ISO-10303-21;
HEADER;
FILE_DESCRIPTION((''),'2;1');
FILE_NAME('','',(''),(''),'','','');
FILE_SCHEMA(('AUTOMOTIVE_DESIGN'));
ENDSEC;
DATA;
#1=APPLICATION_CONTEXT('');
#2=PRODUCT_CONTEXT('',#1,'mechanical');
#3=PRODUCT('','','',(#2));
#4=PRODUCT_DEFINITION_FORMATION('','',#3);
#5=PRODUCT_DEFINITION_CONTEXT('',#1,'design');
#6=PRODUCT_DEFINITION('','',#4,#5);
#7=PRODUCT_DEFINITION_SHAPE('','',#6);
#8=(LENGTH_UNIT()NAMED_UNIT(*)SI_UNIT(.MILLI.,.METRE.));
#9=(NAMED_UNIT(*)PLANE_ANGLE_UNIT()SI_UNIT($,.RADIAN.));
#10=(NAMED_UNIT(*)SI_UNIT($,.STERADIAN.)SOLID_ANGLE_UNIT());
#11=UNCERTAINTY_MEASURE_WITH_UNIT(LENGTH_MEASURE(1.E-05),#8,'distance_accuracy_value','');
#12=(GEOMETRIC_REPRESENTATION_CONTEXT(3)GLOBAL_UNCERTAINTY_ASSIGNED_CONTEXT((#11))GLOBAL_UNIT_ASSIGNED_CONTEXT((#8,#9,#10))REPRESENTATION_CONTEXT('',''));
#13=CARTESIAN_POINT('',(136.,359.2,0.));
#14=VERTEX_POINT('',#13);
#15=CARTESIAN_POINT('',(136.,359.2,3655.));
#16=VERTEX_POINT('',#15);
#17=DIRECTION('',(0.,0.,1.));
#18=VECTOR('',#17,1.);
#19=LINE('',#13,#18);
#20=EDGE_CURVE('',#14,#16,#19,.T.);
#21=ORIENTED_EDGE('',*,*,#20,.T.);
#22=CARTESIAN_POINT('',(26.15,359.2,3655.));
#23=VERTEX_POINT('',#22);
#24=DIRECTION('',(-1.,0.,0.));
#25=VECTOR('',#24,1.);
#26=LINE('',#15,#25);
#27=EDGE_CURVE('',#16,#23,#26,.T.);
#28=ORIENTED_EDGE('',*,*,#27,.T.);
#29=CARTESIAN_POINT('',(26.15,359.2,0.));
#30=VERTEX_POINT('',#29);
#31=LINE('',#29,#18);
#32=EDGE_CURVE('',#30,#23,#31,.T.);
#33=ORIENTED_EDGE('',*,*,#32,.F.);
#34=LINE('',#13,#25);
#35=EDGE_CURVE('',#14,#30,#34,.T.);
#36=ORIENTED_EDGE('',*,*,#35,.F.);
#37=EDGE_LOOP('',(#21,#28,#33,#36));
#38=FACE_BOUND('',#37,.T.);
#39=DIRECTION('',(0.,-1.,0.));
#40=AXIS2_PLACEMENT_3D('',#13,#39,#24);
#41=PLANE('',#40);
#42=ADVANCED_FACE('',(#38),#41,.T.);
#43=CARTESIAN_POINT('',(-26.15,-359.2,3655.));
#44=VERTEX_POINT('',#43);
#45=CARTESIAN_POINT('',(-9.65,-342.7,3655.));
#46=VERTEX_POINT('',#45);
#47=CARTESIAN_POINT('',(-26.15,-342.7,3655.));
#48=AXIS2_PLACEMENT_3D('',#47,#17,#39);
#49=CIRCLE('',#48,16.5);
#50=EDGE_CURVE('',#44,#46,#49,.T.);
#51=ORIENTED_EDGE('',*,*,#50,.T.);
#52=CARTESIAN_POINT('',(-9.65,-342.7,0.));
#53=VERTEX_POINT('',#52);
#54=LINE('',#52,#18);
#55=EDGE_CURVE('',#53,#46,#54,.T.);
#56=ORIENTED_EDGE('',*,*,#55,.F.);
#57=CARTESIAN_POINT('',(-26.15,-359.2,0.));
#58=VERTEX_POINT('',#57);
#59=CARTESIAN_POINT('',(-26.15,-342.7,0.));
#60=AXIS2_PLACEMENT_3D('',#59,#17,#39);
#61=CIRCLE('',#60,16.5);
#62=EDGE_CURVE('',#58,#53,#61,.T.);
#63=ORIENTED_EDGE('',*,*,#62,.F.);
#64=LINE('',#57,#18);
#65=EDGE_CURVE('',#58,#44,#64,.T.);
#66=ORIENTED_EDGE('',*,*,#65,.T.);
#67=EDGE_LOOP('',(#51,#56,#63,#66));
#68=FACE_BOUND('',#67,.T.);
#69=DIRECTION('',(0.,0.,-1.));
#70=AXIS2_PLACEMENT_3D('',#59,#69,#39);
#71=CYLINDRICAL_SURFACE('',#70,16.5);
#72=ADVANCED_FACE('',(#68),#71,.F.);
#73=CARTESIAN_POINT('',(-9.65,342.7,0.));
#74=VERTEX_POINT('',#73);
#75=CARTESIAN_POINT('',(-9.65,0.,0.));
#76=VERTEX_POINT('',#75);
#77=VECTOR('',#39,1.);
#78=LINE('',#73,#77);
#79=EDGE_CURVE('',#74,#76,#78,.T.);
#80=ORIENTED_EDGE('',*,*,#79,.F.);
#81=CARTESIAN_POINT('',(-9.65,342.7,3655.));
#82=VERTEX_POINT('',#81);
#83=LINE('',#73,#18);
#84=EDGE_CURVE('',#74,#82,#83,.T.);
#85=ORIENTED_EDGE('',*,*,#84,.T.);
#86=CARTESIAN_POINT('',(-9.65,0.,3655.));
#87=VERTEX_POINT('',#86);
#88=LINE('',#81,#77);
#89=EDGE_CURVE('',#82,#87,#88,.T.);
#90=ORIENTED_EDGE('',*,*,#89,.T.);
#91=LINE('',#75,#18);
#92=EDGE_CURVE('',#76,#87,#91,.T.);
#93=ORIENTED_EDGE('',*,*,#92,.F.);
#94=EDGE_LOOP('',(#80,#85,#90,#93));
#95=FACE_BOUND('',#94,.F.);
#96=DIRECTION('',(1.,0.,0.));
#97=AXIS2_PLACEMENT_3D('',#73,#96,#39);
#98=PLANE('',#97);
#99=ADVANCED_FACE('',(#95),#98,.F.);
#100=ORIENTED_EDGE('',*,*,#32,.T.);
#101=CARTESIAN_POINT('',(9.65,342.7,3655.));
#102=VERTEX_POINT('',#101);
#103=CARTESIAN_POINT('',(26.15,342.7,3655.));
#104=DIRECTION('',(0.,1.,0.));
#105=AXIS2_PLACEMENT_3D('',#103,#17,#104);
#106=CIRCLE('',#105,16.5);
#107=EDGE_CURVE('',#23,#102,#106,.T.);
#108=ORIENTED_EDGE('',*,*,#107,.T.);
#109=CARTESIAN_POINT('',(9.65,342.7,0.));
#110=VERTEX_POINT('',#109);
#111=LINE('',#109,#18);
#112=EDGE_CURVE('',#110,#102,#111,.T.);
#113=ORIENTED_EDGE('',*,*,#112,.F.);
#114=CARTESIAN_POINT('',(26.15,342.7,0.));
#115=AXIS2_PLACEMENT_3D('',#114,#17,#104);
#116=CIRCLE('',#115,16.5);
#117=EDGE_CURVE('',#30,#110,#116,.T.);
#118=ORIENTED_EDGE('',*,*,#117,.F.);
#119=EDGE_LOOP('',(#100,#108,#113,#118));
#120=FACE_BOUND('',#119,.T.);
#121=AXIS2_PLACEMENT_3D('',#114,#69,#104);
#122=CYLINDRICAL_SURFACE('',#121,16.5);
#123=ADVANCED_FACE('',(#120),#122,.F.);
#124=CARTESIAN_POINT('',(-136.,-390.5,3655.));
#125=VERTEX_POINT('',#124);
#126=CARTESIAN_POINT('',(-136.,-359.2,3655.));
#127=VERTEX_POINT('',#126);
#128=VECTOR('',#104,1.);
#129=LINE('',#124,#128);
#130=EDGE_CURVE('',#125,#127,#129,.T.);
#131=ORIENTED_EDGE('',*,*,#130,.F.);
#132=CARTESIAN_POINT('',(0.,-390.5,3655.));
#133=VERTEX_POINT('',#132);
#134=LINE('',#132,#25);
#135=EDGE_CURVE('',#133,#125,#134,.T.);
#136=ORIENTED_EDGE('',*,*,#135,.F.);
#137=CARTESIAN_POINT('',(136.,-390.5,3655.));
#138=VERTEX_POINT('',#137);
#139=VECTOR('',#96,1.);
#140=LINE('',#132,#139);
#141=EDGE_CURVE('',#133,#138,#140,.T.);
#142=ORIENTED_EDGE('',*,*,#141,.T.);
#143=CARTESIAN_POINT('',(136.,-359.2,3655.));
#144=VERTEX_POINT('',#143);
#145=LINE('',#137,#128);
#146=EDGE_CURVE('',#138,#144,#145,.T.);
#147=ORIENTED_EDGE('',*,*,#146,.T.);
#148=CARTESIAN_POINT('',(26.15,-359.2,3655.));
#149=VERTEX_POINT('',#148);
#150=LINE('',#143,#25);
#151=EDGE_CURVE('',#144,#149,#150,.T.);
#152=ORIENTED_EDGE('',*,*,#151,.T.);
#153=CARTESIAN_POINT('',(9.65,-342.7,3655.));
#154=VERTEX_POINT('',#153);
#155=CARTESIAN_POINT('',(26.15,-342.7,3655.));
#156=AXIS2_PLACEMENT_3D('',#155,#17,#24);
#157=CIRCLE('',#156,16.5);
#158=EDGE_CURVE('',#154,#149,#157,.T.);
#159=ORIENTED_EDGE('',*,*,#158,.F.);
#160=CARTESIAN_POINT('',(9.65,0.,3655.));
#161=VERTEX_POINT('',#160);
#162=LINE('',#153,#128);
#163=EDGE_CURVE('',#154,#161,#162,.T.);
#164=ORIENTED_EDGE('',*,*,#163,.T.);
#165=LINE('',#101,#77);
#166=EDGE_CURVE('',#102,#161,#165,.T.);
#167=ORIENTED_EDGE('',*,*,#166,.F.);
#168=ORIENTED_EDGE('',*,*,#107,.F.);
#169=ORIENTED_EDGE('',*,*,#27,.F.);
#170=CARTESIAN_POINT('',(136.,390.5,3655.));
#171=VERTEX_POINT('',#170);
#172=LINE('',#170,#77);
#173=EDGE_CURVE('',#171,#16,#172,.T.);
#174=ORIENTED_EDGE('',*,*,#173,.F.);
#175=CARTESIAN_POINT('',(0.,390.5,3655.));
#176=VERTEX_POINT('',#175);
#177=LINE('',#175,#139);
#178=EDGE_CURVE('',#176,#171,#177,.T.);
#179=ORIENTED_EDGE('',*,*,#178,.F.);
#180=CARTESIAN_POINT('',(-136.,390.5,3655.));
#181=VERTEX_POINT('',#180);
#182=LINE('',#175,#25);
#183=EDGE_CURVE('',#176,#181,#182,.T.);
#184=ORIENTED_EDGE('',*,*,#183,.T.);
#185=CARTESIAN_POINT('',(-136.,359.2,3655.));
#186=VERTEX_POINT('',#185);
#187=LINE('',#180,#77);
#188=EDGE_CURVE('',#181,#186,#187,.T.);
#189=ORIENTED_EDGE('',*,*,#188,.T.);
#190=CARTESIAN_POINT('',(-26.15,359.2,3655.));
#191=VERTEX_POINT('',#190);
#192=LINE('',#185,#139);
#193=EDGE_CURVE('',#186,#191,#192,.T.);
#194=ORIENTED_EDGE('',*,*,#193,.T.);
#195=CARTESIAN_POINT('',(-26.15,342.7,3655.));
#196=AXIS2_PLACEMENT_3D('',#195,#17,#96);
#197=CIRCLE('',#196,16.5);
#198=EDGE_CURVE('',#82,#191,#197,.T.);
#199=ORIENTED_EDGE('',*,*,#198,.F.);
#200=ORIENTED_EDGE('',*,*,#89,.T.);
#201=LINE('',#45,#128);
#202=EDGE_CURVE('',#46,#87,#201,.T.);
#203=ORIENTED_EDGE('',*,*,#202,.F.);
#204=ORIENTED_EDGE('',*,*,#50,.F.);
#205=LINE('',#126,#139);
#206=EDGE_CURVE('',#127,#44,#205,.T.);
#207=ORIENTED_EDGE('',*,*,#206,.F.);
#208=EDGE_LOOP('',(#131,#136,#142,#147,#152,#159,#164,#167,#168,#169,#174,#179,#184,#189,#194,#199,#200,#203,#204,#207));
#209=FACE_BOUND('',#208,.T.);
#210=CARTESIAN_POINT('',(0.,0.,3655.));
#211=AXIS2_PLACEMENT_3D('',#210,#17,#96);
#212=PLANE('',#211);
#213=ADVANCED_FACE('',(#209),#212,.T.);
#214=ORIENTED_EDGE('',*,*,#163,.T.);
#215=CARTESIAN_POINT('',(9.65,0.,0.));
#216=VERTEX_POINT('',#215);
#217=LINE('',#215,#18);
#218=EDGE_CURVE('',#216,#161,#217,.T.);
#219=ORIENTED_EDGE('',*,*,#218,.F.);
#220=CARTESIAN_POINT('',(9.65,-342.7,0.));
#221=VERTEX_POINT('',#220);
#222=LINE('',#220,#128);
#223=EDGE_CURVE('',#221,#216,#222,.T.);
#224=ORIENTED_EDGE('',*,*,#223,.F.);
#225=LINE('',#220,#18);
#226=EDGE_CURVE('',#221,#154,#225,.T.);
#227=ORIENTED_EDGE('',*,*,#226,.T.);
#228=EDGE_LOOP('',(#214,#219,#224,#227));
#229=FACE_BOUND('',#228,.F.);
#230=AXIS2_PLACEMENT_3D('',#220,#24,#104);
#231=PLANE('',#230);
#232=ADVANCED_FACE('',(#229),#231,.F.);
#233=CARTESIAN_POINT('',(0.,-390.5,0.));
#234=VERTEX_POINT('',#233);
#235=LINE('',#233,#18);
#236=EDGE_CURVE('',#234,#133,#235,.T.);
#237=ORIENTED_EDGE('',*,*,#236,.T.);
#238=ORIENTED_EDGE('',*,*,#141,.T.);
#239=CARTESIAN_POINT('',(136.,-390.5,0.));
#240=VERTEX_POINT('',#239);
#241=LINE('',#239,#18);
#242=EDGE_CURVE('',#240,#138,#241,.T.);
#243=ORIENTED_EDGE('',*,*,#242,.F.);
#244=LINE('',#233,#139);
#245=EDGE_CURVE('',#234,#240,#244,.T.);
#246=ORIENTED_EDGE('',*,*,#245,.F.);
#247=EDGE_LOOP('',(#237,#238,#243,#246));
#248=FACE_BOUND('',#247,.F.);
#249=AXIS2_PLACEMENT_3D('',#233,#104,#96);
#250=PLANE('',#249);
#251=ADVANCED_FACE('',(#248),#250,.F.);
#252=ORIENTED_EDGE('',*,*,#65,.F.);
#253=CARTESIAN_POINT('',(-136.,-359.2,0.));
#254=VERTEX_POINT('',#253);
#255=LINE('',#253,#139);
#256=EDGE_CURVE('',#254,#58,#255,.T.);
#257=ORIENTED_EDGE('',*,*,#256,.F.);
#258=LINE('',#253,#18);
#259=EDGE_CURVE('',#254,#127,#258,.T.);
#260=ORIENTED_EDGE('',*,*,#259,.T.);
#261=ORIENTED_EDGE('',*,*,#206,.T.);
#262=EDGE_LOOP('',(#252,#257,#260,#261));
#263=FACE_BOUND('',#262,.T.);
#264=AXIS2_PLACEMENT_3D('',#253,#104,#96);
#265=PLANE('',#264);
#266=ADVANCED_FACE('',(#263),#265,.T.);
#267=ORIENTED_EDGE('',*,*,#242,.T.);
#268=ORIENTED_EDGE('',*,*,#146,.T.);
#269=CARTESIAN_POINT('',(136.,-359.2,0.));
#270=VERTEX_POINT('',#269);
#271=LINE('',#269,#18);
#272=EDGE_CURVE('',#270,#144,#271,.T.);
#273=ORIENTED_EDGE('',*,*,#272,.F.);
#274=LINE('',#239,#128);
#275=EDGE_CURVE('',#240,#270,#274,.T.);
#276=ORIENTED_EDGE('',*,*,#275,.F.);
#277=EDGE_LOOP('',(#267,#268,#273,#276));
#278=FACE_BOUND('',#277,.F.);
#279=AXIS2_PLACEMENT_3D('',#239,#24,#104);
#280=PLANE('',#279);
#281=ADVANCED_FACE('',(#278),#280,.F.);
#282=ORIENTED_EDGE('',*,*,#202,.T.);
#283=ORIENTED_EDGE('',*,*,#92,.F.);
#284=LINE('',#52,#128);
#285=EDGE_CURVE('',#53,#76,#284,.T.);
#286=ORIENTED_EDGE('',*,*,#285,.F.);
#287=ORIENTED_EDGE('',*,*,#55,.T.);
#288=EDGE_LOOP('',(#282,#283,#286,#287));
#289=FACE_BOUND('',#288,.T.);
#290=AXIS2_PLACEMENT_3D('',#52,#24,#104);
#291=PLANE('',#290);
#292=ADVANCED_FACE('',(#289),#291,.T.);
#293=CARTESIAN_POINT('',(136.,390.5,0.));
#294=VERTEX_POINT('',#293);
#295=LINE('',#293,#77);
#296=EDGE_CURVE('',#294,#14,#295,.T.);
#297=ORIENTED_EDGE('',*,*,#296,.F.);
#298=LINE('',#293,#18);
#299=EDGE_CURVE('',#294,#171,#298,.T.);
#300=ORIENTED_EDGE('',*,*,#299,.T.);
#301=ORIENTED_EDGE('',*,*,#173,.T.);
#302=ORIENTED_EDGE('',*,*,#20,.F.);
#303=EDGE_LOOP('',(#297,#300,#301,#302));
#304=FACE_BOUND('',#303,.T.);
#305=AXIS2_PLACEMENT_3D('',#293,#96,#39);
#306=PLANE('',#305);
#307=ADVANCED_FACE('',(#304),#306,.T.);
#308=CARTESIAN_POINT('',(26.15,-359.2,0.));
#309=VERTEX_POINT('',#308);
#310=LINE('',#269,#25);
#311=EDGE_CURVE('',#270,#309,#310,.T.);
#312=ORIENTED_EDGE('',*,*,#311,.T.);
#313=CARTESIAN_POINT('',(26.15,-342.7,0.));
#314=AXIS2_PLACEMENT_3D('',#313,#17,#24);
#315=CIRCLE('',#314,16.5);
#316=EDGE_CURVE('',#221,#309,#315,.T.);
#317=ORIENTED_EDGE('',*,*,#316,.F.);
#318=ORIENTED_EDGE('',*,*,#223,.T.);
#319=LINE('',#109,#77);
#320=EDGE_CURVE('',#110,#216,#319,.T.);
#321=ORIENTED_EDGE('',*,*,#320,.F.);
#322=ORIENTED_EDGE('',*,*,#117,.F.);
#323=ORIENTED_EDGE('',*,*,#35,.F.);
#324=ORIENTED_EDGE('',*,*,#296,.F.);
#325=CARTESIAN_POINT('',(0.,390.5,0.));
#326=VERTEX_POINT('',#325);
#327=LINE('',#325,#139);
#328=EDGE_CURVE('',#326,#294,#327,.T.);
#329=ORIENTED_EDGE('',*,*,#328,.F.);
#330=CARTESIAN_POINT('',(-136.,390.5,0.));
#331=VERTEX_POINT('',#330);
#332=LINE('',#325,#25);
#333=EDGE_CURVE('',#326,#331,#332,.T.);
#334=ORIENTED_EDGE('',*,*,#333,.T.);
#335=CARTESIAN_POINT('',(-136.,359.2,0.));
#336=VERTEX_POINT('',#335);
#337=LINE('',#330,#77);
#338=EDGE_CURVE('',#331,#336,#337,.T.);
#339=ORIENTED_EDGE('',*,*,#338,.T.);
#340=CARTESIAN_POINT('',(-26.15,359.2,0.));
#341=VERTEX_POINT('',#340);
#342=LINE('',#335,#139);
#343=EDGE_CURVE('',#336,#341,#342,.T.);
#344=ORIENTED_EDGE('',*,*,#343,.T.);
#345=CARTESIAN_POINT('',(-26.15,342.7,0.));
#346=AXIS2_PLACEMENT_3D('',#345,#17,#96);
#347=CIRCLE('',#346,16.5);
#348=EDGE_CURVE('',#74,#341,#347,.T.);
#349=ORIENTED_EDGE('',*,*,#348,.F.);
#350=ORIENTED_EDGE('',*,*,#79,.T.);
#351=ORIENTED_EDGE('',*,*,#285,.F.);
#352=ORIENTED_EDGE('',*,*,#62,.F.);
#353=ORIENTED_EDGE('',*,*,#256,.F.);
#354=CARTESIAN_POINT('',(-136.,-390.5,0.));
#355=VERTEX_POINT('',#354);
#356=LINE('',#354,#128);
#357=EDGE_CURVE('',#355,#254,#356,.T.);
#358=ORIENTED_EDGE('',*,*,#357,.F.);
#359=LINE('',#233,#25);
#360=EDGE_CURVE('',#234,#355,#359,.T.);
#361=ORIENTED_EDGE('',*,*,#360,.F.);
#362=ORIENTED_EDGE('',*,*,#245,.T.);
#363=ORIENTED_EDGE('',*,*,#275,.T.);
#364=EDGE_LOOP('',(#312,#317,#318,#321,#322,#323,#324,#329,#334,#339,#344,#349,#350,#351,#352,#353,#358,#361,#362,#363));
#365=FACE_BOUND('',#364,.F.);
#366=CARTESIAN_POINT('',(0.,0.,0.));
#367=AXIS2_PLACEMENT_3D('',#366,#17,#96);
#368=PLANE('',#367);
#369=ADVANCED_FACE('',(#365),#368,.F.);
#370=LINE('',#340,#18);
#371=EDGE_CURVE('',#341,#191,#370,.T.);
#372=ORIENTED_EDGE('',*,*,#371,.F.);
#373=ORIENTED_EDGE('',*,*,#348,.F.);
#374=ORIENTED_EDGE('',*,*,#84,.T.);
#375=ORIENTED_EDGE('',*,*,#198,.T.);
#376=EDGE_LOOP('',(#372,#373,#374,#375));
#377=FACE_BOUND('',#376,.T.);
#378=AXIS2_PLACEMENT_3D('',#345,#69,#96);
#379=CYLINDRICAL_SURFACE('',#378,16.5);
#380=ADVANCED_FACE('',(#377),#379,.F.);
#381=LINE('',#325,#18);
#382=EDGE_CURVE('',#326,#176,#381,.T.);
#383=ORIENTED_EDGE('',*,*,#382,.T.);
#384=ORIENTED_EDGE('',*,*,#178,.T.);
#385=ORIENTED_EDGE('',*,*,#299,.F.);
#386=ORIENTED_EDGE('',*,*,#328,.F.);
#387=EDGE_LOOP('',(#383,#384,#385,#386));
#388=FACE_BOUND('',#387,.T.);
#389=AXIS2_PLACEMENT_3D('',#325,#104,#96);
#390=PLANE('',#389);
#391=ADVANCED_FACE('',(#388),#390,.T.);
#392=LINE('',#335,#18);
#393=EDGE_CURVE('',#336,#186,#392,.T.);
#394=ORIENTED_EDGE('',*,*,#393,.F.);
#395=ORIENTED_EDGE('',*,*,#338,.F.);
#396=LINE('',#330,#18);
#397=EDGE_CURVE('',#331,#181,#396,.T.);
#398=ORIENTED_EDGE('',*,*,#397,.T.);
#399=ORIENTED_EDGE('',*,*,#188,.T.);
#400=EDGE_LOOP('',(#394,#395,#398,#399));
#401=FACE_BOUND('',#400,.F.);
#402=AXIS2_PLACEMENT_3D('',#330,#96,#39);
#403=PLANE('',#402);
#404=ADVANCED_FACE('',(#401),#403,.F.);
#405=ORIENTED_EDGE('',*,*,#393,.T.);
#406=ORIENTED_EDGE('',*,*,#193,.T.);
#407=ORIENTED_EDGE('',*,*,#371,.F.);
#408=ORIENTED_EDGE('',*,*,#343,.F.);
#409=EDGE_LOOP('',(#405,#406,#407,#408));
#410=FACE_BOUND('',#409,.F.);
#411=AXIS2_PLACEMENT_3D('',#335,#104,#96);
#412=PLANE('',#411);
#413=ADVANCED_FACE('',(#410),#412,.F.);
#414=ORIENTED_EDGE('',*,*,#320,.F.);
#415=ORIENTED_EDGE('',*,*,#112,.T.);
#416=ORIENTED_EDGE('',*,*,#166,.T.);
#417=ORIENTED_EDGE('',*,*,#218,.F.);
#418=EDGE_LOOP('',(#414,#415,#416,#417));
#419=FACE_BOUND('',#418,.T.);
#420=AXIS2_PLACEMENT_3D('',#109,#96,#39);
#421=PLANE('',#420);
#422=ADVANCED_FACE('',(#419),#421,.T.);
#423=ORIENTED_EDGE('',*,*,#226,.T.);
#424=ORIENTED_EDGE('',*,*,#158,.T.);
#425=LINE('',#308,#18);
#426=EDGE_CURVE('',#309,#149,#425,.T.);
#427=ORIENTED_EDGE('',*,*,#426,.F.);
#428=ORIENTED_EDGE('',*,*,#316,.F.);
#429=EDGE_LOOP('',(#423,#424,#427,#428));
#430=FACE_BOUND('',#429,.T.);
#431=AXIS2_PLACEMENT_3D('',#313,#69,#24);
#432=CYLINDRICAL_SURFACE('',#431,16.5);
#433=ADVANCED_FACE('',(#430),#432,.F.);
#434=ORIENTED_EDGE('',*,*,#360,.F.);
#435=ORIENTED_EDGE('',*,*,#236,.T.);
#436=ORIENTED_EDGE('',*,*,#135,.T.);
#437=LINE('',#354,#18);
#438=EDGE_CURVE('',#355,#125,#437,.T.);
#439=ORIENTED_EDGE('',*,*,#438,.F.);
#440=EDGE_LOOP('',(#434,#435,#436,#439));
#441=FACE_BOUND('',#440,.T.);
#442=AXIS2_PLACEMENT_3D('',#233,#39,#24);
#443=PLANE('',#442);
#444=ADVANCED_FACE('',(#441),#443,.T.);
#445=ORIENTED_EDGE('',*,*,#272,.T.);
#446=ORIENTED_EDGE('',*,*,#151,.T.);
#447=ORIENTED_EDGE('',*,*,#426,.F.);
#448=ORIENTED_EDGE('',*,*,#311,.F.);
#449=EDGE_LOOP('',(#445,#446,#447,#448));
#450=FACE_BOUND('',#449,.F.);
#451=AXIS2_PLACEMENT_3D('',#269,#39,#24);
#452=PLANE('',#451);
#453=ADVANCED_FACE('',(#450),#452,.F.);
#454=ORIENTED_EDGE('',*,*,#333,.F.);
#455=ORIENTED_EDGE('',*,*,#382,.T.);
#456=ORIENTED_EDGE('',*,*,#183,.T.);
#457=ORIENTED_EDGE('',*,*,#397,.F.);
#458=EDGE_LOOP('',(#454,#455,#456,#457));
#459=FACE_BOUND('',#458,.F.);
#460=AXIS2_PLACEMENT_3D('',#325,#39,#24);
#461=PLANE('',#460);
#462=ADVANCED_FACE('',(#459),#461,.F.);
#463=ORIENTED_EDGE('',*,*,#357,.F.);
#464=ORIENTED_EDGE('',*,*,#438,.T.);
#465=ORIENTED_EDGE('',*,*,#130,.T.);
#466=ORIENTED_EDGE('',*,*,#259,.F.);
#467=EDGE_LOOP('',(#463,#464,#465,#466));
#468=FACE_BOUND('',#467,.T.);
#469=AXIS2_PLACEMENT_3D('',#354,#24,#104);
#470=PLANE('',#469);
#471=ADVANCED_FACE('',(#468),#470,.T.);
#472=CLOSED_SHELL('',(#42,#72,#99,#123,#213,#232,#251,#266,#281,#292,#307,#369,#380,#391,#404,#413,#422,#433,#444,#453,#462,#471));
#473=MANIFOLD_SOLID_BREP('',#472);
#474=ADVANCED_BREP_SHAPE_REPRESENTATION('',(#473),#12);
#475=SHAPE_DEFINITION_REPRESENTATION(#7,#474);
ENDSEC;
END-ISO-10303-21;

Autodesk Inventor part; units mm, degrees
ref_plane "YZ Plane" through (0, 0, 0) normal (1, 0, 0) x (0, 1, 0)
ref_plane "Start plane" through (0, 0, 0) normal (0, 0, 1) x (1, 0, 0)
ref_plane "End plane" through (0, 0, 3655) normal (0, 0, 1) x (1, 0, 0)
sketch "Sketch" plane through (0, 0, 0) normal (0, 0, 1) x (1, 0, 0)
  line L0 (-136, -390.5) -> (-136, -359.2)
  line L1 (-136, -359.2) -> (-26.15, -359.2)
  line L2 (-9.65, -342.7) -> (-9.65, 0)
  line L3 (-9.65, 0) -> (0, 0) construction
  line L4 (0, 0) -> (0, -390.5) construction
  line L5 (0, -390.5) -> (-136, -390.5)
  line L6 (-60, 0) -> (80, 0) construction
  line L7 (0, -60) -> (0, 80) construction
  line L8 (136, -390.5) -> (136, -359.2)
  line L9 (136, -359.2) -> (26.15, -359.2)
  line L10 (9.65, -342.7) -> (9.65, 0)
  line L11 (9.65, 0) -> (0, 0) construction
  line L12 (0, -390.5) -> (136, -390.5)
  line L13 (-136, 390.5) -> (-136, 359.2)
  line L14 (-136, 359.2) -> (-26.15, 359.2)
  line L15 (-9.65, 342.7) -> (-9.65, 0)
  line L16 (0, 390.5) -> (-136, 390.5)
  line L17 (136, 390.5) -> (136, 359.2)
  line L18 (136, 359.2) -> (26.15, 359.2)
  line L19 (0, 390.5) -> (136, 390.5)
  line L20 (9.65, 342.7) -> (9.65, 0)
  arc A0 (-9.65, 342.7) -> (-26.15, 359.2) centre (-26.15, 342.7) ccw
  arc A1 (26.15, 359.2) -> (9.65, 342.7) centre (26.15, 342.7) ccw
  arc A2 (9.65, -342.7) -> (26.15, -359.2) centre (26.15, -342.7) ccw
  arc A3 (-26.15, -359.2) -> (-9.65, -342.7) centre (-26.15, -342.7) ccw
  line L21 (0, 108) -> (0, -88) construction
  line L22 (-88, 0) -> (108, 0) construction
  point P0 (-9.65, -359.2)
  point P1 (9.65, -359.2)
  point P2 (-9.65, 359.2)
  point P3 (9.65, 359.2)
  dimension "d1" = 390.5
  dimension "d2" = 31.3
  dimension "d3" = 136
  dimension "d4" = 9.65
  dimension "d10" = 16.5
extrude "Body" add sketch "Sketch" along normal up to surface (3655 mm away) from surface at 0
sketch "Sketch4" plane through (0, 0, 0) normal (0, 0, 1) x (1, 0, 0)
  line L0 (0, 0) -> (10, 0)
ref_plane "Work Plane3" through (0, 0, 0) normal (0, -1, 0) x (1, 0, 0)
sketch "Sketch5" plane through (0, 0, 0) normal (0, -1, 0) x (1, 0, 0)
  line L0 (-2, 0) -> (12, 0) projected
  line L1 (-2, 3655) -> (12, 3655) projected
  dimension "d14" = 3655
equation "\"d1\" = 0.5 * G_H"
equation "\"d2\" = G_T1"
equation "\"d3\" = 0.5 * G_W"
equation "\"d4\" = 0.5 * G_T"
equation "\"d10\" = G_IR"
equation "\"d5\" = G_L"
equation "\"G_W\" = 272"
equation "\"G_H\" = 781"
equation "\"G_T\" = 19.3"
equation "\"G_T1\" = 31.3"
equation "\"G_IR\" = 16.5"
equation "\"G_L\" = d14"
equation "\"G_OFFSET_START\" = 0"
equation "\"G_OFFSET_END\" = 0"
equation "\"d12\" = G_OFFSET_END + B_L"
equation "\"B_L\" = 3655"
properties part number "AS 3679-1990 - 760 UB - 244 - 3655" material "Steel, Mild"
